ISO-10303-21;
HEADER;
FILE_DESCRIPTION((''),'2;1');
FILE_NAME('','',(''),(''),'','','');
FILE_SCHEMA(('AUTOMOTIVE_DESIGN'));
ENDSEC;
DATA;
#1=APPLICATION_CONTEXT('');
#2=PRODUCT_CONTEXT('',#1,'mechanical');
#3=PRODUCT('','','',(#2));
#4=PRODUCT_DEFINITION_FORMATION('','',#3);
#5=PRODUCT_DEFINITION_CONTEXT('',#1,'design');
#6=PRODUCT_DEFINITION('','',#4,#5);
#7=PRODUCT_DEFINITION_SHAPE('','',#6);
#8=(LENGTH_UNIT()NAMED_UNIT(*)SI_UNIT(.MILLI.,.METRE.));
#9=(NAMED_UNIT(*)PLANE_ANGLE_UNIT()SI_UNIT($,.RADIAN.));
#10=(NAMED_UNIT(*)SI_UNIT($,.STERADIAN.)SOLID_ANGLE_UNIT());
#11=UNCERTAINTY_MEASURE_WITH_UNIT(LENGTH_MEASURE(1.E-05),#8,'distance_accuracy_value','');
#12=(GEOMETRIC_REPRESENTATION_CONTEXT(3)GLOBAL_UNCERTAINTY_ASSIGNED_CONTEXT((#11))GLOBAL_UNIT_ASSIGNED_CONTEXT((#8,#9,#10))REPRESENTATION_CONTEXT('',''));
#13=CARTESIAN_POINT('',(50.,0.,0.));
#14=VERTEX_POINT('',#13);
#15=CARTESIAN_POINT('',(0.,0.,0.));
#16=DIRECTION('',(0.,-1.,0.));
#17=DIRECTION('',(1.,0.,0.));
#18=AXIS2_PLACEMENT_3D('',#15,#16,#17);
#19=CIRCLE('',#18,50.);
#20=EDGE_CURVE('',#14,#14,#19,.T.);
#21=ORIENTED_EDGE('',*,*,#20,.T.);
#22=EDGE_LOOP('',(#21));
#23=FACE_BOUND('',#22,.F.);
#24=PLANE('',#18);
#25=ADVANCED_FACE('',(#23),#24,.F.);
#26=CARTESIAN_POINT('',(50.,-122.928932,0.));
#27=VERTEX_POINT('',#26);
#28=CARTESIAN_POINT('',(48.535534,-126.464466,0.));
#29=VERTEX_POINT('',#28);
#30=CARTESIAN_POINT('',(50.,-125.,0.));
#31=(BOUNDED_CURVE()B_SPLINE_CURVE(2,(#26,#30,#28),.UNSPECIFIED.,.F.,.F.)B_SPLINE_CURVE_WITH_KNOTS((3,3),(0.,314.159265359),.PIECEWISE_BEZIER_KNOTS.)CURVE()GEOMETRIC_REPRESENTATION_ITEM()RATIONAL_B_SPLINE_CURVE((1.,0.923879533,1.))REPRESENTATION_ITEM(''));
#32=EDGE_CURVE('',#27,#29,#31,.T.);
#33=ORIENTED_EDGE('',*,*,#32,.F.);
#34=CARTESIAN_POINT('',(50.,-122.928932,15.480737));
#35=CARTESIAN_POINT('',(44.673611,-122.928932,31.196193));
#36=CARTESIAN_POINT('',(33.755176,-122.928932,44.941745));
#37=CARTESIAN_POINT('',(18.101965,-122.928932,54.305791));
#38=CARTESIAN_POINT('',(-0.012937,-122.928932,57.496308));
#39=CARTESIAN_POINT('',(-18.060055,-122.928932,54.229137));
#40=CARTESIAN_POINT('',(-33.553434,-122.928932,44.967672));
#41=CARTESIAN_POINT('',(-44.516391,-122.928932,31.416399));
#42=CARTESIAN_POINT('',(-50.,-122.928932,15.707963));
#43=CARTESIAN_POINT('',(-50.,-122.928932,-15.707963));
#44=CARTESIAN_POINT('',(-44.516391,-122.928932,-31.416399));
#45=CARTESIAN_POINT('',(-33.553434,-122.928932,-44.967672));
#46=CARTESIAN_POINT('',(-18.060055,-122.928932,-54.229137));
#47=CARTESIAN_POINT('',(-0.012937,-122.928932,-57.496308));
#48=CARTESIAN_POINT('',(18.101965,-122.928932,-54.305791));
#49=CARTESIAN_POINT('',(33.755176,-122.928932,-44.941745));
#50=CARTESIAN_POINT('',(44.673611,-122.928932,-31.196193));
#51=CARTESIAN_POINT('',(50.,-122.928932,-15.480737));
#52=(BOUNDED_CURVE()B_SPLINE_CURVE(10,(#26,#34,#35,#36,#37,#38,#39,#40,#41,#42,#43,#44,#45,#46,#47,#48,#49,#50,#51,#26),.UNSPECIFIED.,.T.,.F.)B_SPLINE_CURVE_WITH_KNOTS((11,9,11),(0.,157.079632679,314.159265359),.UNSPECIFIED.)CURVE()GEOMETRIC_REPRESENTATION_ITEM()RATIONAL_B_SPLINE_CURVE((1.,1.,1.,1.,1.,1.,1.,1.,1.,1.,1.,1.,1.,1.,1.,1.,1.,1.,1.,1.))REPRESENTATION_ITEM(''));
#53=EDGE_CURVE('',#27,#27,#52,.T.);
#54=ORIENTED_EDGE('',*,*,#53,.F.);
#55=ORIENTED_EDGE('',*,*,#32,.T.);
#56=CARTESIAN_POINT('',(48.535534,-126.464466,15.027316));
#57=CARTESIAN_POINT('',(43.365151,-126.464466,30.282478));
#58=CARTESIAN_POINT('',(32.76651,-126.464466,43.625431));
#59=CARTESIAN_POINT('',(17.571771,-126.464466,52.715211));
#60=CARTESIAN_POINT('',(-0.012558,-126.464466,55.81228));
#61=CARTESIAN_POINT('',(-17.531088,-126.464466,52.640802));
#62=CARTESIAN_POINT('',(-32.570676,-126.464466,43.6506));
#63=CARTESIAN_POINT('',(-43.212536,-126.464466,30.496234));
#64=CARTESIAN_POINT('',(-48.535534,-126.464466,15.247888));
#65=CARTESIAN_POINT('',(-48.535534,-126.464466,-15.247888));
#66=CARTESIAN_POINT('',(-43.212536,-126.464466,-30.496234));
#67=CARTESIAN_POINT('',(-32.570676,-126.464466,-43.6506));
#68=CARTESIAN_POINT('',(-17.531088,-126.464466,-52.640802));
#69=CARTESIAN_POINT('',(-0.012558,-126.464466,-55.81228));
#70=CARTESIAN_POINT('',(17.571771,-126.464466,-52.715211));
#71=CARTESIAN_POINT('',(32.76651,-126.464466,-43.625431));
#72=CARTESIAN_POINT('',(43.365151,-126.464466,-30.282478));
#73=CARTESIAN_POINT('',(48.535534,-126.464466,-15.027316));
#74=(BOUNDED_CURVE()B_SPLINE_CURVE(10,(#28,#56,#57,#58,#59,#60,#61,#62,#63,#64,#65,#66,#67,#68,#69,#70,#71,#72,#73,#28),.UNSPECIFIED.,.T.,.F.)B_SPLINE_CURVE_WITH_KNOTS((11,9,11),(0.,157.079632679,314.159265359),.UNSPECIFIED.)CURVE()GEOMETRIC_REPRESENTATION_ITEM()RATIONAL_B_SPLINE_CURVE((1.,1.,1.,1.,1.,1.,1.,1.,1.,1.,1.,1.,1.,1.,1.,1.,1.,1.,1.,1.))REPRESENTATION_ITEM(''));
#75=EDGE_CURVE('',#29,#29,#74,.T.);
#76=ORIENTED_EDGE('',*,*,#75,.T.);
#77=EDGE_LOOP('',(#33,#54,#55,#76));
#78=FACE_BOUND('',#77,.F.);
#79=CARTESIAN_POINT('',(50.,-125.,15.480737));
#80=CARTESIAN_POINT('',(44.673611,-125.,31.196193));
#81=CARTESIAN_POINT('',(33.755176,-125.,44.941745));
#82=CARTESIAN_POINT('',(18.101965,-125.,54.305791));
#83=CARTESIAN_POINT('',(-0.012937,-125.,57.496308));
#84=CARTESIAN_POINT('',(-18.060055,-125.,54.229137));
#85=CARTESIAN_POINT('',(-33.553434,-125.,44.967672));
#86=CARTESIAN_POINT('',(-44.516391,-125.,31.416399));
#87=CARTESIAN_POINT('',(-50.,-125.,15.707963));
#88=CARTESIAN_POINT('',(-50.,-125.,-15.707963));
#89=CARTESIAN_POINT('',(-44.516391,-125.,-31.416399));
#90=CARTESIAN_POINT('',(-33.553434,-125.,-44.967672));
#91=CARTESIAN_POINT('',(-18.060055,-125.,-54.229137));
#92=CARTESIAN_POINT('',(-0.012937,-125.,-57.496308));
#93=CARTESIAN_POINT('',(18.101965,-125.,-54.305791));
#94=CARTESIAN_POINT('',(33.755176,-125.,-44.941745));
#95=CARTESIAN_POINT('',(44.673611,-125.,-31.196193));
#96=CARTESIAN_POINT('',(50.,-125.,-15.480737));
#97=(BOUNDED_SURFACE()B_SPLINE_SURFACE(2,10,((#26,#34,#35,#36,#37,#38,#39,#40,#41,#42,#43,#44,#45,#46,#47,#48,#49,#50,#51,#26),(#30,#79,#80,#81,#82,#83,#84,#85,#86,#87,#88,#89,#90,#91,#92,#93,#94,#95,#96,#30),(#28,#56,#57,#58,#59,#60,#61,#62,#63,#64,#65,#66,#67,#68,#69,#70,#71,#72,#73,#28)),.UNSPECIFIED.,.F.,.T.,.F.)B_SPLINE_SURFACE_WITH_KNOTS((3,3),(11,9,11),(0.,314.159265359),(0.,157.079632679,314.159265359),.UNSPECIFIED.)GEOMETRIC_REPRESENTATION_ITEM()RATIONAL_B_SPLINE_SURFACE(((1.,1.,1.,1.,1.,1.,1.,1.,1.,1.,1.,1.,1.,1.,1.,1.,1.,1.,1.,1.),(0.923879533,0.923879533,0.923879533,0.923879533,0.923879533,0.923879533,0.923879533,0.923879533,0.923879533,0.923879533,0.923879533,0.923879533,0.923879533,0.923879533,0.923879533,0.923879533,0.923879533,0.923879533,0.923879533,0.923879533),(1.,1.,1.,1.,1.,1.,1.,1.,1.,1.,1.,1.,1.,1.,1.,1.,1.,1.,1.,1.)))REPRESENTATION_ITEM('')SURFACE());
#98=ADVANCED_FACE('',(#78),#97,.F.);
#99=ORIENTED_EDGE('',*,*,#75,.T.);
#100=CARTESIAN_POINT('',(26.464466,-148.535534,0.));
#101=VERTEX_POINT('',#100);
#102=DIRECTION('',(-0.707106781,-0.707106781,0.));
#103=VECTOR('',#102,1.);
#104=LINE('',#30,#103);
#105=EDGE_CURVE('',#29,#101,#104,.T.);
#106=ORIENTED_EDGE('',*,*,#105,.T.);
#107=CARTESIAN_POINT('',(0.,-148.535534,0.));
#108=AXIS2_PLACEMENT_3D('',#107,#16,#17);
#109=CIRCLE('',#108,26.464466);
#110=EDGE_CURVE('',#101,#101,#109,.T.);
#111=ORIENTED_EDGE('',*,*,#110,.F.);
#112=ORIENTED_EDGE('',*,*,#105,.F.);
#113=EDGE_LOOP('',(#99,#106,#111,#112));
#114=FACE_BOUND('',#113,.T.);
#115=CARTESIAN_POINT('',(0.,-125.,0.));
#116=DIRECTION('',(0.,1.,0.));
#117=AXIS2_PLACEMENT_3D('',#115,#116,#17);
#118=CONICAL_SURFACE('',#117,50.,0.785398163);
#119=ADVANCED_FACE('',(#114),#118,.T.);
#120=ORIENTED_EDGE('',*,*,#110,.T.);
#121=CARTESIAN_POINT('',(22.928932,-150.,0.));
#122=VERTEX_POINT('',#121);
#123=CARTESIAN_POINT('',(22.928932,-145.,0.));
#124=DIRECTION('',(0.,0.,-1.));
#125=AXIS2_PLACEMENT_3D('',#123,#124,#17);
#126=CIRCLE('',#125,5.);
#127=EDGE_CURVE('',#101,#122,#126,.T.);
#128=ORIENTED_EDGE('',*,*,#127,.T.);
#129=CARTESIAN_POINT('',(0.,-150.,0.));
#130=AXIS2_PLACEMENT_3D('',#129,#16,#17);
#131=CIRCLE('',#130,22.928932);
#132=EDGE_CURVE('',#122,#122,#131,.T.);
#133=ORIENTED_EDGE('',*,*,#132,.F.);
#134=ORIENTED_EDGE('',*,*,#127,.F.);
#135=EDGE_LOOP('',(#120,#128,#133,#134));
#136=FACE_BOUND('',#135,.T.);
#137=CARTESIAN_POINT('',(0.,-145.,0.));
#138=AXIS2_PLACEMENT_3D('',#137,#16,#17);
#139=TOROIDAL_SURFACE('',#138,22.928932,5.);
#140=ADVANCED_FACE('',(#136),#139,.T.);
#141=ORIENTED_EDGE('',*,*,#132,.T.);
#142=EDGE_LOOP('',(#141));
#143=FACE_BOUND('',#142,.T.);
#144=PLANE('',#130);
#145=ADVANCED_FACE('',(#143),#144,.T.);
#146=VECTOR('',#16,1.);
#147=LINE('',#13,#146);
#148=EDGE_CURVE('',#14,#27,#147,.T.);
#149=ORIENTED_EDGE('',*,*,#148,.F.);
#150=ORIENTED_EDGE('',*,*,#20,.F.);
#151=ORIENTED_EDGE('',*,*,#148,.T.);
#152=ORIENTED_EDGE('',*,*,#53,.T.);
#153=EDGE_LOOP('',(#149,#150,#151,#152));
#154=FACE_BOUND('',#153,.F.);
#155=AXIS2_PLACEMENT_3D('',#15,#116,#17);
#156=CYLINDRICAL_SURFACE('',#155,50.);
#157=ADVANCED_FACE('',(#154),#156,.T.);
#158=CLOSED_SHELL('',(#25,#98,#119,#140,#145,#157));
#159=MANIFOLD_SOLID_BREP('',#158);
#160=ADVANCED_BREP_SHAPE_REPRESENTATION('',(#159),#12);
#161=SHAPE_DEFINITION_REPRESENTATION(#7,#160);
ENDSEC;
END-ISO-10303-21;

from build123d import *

# Parameters (mm, degrees)
F0_R     = 50
F1_DEPTH = 150
F2_SIZE  = 25
F3_R     = 5


with BuildPart() as f1:
    # F0 (on Front) → F1 (new body)
    with BuildSketch(Plane.XZ):
        Circle(F0_R)
    extrude(amount=F1_DEPTH)

    # F2
    f2_edges = [f1.edges().sort_by_distance(p)[0] for p in [
        (-50, -150, 0),
    ]]
    chamfer(f2_edges, length=F2_SIZE)

    # F3
    f3_edges = [f1.edges().sort_by_distance(p)[0] for p in [
        (37.5, -137.5, 0),
        (-50, -125, 0),
        (-25, -150, 0),
    ]]
    fillet(f3_edges, radius=F3_R)


solid = f1.part
